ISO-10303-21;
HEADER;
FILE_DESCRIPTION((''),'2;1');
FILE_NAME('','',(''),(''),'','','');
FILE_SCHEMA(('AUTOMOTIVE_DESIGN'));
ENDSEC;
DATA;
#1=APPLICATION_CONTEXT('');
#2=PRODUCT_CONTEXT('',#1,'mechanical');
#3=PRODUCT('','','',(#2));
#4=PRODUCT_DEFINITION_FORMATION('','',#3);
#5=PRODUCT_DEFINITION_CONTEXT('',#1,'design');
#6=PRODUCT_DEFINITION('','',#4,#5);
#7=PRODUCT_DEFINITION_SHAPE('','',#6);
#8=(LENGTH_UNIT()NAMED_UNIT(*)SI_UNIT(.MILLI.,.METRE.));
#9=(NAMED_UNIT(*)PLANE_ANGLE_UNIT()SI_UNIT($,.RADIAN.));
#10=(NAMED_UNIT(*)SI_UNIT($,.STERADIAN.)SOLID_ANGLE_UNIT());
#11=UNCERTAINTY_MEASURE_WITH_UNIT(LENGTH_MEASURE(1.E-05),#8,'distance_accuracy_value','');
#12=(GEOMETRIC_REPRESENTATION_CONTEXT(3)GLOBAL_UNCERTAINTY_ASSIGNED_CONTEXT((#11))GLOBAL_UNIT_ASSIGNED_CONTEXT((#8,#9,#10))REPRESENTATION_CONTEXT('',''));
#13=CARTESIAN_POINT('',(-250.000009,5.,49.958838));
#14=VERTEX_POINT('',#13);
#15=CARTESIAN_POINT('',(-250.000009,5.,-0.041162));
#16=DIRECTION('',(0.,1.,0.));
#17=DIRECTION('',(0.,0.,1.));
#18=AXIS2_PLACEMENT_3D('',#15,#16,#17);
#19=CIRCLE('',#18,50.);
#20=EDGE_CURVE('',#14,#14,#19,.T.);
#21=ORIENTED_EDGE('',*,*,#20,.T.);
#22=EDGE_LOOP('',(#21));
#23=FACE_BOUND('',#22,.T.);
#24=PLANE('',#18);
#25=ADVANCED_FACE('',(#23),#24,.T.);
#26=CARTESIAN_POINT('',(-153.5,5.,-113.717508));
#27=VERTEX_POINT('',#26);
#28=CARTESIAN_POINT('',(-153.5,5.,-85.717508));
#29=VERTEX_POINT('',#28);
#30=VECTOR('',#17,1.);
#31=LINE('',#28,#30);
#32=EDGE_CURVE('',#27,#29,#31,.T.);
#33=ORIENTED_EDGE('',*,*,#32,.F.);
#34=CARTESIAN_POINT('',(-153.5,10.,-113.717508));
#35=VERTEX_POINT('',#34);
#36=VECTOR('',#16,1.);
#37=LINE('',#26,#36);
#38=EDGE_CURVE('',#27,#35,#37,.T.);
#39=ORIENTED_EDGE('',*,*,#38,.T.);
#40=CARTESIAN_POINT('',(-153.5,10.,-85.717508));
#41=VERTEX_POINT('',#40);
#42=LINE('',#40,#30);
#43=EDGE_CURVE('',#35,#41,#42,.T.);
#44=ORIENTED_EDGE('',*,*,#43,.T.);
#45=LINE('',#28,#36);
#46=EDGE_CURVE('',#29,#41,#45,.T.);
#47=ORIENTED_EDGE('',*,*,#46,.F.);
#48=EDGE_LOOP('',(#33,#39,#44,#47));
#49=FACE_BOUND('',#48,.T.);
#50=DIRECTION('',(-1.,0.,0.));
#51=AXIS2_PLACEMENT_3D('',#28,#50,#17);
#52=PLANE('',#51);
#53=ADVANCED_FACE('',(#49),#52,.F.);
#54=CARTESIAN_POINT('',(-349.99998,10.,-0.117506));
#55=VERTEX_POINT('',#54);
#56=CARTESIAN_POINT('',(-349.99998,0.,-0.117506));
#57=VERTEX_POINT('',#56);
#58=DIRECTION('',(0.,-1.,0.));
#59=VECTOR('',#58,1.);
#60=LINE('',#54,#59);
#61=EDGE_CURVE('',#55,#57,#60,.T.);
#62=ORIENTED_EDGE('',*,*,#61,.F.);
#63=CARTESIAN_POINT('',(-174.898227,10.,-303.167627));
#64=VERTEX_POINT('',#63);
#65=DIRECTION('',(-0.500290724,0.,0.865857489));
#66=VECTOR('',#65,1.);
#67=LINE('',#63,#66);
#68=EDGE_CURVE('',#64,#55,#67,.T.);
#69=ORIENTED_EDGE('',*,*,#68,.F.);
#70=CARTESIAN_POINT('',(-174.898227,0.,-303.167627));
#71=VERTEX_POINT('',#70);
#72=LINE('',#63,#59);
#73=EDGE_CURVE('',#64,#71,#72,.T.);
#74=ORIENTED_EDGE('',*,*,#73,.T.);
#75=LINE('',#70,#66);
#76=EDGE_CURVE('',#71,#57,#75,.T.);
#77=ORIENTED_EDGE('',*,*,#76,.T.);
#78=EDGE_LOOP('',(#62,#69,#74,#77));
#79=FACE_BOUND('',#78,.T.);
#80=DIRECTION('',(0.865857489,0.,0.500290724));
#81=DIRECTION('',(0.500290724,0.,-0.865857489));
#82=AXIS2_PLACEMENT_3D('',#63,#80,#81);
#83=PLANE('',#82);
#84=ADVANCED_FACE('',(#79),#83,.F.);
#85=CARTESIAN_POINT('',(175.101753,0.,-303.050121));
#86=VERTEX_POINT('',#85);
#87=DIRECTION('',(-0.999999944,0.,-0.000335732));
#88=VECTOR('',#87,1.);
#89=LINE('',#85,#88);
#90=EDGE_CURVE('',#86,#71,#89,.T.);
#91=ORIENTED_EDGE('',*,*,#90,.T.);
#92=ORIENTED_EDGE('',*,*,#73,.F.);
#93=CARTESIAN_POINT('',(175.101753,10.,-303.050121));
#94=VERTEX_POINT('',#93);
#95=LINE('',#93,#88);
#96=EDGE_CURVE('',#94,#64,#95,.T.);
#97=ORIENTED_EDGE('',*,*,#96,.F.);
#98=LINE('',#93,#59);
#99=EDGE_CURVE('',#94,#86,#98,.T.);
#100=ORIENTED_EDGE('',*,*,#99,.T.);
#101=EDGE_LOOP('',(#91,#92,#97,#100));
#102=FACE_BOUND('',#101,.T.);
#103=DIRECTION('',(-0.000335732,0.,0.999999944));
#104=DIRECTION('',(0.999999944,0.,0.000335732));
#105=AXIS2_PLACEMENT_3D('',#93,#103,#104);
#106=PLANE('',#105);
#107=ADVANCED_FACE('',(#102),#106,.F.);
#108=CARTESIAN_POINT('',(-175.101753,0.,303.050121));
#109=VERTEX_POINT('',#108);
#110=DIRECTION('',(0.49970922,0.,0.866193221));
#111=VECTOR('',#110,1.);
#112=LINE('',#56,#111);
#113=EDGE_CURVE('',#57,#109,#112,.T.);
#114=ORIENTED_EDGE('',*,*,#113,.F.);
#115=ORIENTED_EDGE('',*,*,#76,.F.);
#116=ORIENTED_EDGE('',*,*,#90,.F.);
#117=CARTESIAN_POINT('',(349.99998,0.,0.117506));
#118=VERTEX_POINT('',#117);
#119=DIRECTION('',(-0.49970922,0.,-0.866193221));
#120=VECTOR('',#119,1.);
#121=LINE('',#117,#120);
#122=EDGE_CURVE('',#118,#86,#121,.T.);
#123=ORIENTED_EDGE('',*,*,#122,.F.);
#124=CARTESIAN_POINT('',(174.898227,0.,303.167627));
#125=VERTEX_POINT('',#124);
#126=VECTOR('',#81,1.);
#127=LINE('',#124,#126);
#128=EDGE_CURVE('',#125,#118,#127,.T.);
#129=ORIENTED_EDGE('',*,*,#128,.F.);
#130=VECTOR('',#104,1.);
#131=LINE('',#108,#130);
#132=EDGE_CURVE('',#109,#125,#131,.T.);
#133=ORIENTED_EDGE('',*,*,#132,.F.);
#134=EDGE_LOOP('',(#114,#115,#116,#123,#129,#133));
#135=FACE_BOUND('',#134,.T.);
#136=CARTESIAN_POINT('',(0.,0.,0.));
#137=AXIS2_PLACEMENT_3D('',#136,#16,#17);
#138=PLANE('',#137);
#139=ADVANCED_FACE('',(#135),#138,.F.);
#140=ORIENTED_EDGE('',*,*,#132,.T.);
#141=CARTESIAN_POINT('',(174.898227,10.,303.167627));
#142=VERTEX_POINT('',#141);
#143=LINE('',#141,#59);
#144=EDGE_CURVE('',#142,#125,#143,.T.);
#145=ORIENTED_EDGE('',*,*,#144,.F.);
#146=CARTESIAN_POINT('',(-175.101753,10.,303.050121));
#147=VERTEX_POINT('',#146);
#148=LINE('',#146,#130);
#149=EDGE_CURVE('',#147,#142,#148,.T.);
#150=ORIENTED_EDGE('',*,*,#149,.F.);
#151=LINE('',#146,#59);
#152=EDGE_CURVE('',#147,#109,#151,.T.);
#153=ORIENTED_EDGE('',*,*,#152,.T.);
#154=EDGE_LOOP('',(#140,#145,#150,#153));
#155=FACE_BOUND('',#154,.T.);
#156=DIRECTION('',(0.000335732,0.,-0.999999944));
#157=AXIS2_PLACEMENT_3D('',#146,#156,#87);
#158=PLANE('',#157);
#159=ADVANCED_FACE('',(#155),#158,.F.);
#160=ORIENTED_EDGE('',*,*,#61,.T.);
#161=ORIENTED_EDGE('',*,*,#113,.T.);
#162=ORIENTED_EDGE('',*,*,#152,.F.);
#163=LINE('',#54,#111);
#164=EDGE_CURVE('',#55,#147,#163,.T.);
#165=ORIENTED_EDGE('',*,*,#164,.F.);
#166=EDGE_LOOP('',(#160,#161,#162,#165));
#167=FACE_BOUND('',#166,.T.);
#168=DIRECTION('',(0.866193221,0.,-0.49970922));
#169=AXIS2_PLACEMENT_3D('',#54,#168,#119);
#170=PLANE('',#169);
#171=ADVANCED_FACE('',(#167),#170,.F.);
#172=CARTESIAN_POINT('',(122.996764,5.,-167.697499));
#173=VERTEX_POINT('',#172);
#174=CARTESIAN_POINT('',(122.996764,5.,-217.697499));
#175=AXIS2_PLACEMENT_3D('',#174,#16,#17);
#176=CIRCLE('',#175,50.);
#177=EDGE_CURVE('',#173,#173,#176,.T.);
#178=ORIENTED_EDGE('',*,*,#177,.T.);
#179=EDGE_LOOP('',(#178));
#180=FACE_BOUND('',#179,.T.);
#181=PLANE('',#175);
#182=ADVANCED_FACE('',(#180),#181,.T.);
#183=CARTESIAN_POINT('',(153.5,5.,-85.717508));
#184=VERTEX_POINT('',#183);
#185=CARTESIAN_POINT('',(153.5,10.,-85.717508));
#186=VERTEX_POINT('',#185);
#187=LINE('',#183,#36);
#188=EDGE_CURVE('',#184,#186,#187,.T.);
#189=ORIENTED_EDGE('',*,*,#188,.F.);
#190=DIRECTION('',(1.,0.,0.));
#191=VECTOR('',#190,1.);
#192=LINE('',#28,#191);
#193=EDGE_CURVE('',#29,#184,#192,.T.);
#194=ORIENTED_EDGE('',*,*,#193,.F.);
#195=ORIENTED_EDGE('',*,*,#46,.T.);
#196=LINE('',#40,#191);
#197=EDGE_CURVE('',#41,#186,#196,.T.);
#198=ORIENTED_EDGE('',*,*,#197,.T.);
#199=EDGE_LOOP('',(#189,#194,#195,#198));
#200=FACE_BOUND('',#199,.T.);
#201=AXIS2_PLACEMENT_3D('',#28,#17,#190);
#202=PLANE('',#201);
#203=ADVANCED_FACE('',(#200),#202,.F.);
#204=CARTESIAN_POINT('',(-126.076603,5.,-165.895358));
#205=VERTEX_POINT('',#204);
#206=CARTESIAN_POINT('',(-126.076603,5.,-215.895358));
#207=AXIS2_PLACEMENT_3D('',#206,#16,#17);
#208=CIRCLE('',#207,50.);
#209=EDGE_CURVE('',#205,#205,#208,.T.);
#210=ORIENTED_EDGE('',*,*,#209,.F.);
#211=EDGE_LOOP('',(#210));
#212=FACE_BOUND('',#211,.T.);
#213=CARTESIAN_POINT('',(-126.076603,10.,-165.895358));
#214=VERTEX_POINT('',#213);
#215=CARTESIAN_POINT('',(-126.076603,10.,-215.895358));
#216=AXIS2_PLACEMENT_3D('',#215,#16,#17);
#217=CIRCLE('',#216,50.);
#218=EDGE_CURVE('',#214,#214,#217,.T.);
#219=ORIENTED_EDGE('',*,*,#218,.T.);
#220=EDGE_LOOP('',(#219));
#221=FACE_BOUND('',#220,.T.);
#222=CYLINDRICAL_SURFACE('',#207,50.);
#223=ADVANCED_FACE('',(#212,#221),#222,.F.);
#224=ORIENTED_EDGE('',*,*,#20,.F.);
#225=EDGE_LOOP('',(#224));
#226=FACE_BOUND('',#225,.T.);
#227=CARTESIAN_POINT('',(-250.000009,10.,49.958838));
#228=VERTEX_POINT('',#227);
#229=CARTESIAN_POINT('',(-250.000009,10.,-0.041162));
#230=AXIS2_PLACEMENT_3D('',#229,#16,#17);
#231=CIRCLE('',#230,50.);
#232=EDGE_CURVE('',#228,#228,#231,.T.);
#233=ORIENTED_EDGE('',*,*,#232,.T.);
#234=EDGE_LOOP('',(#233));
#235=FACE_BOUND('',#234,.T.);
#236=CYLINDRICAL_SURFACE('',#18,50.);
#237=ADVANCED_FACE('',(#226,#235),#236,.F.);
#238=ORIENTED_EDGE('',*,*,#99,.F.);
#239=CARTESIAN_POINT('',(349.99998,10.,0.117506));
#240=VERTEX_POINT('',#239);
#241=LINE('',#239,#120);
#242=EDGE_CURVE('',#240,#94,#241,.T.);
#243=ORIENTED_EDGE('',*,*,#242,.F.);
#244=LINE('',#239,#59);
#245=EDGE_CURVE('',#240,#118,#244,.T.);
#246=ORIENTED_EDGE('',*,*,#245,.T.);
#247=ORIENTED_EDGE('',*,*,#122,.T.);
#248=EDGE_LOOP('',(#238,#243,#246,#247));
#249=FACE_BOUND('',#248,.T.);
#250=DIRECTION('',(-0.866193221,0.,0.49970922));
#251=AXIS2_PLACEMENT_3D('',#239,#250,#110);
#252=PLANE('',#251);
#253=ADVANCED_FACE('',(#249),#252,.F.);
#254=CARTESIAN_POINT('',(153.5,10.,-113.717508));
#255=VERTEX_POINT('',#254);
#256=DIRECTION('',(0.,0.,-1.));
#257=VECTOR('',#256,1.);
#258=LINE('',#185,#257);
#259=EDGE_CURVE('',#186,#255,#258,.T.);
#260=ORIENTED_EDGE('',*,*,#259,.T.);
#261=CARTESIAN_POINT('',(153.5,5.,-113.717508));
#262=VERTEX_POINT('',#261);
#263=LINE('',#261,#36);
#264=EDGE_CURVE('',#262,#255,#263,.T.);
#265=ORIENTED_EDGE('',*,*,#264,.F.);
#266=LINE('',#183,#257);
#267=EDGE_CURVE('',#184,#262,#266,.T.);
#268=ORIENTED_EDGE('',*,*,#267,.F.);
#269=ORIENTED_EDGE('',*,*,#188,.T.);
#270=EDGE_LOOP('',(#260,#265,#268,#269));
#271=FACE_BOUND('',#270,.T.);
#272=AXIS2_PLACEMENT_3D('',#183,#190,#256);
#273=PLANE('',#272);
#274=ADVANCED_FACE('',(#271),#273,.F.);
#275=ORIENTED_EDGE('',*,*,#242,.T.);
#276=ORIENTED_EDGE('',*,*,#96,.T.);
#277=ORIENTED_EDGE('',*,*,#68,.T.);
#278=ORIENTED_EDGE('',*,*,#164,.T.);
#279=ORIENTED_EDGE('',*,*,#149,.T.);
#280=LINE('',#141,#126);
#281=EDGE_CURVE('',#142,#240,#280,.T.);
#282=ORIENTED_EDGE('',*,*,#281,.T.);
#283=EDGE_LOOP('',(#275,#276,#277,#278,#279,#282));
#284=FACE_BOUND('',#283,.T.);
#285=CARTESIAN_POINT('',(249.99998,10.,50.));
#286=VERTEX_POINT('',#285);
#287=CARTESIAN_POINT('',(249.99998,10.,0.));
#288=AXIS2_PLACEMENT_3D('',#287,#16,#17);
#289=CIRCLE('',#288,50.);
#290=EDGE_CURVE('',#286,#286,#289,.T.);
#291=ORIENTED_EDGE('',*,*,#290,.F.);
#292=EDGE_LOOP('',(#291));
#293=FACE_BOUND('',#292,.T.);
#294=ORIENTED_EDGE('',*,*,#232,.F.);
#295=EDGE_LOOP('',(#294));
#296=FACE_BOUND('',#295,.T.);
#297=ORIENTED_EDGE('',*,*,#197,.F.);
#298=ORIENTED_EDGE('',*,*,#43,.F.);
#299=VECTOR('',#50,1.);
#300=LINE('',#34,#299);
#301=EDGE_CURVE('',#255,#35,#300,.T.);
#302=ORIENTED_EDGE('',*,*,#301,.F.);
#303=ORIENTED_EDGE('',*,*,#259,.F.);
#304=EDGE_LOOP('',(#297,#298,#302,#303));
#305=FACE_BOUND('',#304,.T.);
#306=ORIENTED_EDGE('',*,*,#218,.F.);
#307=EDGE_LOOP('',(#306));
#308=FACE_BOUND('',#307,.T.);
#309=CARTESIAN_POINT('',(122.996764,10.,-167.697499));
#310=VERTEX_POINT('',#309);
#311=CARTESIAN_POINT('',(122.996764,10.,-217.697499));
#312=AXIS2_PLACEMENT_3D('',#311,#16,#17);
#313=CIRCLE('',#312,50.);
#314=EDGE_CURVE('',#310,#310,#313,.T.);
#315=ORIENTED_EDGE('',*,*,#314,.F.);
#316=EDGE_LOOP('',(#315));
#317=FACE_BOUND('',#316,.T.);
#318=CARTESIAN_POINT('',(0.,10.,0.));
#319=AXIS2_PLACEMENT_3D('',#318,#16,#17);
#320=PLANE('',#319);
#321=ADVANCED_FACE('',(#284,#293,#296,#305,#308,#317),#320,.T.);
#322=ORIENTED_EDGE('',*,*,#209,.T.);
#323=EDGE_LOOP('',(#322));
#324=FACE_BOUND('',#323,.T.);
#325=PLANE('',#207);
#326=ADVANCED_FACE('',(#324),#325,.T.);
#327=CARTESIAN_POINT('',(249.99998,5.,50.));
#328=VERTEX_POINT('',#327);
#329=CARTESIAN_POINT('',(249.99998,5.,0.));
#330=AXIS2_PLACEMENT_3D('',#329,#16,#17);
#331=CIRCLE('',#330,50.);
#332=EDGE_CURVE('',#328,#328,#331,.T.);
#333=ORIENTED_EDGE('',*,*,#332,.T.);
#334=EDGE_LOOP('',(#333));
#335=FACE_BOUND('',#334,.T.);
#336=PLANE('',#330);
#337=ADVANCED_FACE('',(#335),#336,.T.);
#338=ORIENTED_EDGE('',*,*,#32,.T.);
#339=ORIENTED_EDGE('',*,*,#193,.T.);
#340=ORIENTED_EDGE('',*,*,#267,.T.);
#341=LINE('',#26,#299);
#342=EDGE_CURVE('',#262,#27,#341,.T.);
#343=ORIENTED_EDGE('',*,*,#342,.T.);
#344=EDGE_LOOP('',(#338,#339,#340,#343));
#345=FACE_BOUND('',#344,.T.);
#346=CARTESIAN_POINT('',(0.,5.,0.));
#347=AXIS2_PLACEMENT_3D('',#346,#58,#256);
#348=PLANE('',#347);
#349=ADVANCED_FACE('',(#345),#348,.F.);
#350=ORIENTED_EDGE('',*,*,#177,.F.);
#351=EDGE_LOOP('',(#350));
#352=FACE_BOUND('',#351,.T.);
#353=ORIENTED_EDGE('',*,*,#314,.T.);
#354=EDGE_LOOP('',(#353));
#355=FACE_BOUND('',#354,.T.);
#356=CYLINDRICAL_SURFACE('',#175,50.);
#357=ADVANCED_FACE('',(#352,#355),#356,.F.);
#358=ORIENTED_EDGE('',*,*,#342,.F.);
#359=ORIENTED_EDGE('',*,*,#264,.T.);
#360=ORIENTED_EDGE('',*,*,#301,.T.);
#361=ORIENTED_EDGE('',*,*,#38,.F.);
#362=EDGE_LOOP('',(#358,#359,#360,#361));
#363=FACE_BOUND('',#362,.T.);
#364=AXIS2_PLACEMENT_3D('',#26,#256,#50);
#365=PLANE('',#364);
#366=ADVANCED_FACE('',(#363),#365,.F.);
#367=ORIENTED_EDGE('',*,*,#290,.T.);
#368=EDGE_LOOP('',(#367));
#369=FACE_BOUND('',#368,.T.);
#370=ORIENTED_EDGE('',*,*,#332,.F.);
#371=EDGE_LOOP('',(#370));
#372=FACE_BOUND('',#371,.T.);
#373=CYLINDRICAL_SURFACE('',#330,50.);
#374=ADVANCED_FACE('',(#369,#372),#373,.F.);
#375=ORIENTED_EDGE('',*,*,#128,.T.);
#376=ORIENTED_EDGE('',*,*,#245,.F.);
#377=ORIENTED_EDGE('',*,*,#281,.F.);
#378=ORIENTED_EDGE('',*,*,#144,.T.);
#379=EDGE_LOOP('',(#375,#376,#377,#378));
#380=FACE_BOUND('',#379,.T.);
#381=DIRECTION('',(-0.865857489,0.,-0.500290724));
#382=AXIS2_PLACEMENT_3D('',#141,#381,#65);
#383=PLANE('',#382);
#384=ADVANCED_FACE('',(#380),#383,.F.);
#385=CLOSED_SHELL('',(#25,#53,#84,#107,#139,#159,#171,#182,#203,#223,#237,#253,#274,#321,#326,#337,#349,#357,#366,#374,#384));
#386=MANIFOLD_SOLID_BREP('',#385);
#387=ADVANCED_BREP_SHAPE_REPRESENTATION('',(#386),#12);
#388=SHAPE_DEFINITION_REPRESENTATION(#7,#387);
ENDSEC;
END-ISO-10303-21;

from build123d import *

# Parameters (mm, degrees)
BOSS_EXTRUDE1_DEPTH = 10
SKETCH2_R           = 50
CUT_EXTRUDE2_DEPTH  = 5
SKETCH3_W           = 307
SKETCH3_H           = 28
CUT_EXTRUDE3_DEPTH  = 5


with BuildPart() as part:
    # Sketch1 → Boss-Extrude1 (new body)
    with BuildSketch(Plane(origin=(0, 0, 0), x_dir=(1, 0, 0), z_dir=(0, 1, 0))):
        Polygon((175.101753381, 303.050121206), (-174.898226894, 303.167627278), (-349.999980275, 0.117506072), (-175.101753381, -303.050121206), (174.898226894, -303.167627278), (349.999980275, -0.117506072), align=None)
    extrude(amount=BOSS_EXTRUDE1_DEPTH)

    # Sketch2 → Cut-Extrude2 (cut)
    with BuildSketch(Plane(origin=(0, 10, 0), x_dir=(1, 0, 0), z_dir=(0, 1, 0))):
        with Locations(Location((-250.000009417, 0.041161845, 0), (0, 0, 270))):
            Circle(SKETCH2_R)
        with Locations(Location((-126.076603066, 215.895357646, 0), (0, 0, 270))):
            Circle(SKETCH2_R)
        with Locations(Location((249.999980275, 0, 0), (0, 0, 270))):
            Circle(SKETCH2_R)
        with Locations(Location((122.996764387, 217.697498973, 0), (0, 0, 270))):
            Circle(SKETCH2_R)
    extrude(amount=-CUT_EXTRUDE2_DEPTH, mode=Mode.SUBTRACT)

    # Sketch3 → Cut-Extrude3 (cut)
    with BuildSketch(Plane(origin=(0, 10, 0), x_dir=(1, 0, 0), z_dir=(0, 1, 0))):
        with Locations((0, 99.717508168)):
            Rectangle(SKETCH3_W, SKETCH3_H)
    extrude(amount=-CUT_EXTRUDE3_DEPTH, mode=Mode.SUBTRACT)


solid = part.part
